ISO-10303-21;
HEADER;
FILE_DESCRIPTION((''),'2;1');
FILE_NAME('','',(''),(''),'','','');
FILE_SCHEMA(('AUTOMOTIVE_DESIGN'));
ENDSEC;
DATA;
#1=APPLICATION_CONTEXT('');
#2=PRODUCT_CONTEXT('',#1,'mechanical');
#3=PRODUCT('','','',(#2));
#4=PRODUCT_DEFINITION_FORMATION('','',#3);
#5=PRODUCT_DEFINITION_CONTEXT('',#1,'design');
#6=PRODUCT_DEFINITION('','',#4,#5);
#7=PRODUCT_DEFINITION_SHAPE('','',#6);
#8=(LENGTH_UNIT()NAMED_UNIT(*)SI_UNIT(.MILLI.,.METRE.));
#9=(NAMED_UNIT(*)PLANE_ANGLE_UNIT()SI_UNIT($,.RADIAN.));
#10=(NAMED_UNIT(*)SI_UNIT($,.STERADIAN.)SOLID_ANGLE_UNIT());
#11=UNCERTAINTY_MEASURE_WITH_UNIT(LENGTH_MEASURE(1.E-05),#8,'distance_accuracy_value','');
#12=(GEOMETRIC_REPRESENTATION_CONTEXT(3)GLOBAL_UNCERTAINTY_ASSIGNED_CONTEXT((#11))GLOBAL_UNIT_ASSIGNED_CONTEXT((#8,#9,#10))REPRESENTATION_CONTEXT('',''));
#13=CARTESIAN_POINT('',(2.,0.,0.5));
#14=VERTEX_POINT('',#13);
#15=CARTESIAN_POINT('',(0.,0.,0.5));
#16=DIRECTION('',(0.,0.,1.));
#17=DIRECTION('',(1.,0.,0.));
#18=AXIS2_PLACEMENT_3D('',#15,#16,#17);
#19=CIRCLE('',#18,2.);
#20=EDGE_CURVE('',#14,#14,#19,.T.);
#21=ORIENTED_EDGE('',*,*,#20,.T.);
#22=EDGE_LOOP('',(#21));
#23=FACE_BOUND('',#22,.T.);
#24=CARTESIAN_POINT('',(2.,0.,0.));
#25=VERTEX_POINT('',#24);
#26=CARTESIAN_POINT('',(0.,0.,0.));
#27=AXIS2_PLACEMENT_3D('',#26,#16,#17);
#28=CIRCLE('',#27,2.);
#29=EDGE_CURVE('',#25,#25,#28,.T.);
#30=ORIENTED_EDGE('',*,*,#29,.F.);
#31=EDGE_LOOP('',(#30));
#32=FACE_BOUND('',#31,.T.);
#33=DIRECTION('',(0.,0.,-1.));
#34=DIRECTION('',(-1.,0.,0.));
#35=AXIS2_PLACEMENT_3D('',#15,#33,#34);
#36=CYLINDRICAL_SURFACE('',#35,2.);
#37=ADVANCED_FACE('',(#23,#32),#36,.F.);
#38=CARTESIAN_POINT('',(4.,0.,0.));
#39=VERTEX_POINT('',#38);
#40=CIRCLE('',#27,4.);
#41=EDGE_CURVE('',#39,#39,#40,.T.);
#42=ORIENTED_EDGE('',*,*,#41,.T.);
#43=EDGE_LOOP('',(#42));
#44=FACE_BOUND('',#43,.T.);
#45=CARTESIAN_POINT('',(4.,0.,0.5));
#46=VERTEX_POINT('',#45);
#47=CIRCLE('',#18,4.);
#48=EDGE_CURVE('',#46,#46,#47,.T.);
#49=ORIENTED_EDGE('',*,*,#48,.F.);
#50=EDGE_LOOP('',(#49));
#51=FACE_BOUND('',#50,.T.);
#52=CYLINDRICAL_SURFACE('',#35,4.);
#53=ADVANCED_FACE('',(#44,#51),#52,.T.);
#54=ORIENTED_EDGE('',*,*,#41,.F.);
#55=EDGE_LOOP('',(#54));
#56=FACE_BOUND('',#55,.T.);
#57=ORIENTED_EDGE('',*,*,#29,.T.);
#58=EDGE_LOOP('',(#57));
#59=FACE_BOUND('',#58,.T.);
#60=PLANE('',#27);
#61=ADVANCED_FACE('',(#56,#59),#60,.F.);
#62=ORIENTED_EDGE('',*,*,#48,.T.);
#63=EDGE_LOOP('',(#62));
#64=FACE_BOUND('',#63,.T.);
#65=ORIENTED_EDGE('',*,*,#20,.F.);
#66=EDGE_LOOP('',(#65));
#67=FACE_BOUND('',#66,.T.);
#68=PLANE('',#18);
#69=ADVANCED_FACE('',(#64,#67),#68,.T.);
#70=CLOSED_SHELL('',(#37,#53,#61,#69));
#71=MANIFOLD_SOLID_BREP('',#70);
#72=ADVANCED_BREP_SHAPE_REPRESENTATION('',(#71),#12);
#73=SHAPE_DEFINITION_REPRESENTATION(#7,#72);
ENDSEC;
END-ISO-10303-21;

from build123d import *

# Parameters (mm, degrees)
SKETCH_1_R      = 4
SKETCH_1_R_2    = 2
EXTRUDE_1_DEPTH = 0.5


with BuildPart() as part:
    # 草图1 → 凸台-拉伸1 (new body)
    with BuildSketch(Plane.XY):
        Circle(SKETCH_1_R)
        Circle(SKETCH_1_R_2, mode=Mode.SUBTRACT)
    extrude(amount=EXTRUDE_1_DEPTH)


solid = part.part
